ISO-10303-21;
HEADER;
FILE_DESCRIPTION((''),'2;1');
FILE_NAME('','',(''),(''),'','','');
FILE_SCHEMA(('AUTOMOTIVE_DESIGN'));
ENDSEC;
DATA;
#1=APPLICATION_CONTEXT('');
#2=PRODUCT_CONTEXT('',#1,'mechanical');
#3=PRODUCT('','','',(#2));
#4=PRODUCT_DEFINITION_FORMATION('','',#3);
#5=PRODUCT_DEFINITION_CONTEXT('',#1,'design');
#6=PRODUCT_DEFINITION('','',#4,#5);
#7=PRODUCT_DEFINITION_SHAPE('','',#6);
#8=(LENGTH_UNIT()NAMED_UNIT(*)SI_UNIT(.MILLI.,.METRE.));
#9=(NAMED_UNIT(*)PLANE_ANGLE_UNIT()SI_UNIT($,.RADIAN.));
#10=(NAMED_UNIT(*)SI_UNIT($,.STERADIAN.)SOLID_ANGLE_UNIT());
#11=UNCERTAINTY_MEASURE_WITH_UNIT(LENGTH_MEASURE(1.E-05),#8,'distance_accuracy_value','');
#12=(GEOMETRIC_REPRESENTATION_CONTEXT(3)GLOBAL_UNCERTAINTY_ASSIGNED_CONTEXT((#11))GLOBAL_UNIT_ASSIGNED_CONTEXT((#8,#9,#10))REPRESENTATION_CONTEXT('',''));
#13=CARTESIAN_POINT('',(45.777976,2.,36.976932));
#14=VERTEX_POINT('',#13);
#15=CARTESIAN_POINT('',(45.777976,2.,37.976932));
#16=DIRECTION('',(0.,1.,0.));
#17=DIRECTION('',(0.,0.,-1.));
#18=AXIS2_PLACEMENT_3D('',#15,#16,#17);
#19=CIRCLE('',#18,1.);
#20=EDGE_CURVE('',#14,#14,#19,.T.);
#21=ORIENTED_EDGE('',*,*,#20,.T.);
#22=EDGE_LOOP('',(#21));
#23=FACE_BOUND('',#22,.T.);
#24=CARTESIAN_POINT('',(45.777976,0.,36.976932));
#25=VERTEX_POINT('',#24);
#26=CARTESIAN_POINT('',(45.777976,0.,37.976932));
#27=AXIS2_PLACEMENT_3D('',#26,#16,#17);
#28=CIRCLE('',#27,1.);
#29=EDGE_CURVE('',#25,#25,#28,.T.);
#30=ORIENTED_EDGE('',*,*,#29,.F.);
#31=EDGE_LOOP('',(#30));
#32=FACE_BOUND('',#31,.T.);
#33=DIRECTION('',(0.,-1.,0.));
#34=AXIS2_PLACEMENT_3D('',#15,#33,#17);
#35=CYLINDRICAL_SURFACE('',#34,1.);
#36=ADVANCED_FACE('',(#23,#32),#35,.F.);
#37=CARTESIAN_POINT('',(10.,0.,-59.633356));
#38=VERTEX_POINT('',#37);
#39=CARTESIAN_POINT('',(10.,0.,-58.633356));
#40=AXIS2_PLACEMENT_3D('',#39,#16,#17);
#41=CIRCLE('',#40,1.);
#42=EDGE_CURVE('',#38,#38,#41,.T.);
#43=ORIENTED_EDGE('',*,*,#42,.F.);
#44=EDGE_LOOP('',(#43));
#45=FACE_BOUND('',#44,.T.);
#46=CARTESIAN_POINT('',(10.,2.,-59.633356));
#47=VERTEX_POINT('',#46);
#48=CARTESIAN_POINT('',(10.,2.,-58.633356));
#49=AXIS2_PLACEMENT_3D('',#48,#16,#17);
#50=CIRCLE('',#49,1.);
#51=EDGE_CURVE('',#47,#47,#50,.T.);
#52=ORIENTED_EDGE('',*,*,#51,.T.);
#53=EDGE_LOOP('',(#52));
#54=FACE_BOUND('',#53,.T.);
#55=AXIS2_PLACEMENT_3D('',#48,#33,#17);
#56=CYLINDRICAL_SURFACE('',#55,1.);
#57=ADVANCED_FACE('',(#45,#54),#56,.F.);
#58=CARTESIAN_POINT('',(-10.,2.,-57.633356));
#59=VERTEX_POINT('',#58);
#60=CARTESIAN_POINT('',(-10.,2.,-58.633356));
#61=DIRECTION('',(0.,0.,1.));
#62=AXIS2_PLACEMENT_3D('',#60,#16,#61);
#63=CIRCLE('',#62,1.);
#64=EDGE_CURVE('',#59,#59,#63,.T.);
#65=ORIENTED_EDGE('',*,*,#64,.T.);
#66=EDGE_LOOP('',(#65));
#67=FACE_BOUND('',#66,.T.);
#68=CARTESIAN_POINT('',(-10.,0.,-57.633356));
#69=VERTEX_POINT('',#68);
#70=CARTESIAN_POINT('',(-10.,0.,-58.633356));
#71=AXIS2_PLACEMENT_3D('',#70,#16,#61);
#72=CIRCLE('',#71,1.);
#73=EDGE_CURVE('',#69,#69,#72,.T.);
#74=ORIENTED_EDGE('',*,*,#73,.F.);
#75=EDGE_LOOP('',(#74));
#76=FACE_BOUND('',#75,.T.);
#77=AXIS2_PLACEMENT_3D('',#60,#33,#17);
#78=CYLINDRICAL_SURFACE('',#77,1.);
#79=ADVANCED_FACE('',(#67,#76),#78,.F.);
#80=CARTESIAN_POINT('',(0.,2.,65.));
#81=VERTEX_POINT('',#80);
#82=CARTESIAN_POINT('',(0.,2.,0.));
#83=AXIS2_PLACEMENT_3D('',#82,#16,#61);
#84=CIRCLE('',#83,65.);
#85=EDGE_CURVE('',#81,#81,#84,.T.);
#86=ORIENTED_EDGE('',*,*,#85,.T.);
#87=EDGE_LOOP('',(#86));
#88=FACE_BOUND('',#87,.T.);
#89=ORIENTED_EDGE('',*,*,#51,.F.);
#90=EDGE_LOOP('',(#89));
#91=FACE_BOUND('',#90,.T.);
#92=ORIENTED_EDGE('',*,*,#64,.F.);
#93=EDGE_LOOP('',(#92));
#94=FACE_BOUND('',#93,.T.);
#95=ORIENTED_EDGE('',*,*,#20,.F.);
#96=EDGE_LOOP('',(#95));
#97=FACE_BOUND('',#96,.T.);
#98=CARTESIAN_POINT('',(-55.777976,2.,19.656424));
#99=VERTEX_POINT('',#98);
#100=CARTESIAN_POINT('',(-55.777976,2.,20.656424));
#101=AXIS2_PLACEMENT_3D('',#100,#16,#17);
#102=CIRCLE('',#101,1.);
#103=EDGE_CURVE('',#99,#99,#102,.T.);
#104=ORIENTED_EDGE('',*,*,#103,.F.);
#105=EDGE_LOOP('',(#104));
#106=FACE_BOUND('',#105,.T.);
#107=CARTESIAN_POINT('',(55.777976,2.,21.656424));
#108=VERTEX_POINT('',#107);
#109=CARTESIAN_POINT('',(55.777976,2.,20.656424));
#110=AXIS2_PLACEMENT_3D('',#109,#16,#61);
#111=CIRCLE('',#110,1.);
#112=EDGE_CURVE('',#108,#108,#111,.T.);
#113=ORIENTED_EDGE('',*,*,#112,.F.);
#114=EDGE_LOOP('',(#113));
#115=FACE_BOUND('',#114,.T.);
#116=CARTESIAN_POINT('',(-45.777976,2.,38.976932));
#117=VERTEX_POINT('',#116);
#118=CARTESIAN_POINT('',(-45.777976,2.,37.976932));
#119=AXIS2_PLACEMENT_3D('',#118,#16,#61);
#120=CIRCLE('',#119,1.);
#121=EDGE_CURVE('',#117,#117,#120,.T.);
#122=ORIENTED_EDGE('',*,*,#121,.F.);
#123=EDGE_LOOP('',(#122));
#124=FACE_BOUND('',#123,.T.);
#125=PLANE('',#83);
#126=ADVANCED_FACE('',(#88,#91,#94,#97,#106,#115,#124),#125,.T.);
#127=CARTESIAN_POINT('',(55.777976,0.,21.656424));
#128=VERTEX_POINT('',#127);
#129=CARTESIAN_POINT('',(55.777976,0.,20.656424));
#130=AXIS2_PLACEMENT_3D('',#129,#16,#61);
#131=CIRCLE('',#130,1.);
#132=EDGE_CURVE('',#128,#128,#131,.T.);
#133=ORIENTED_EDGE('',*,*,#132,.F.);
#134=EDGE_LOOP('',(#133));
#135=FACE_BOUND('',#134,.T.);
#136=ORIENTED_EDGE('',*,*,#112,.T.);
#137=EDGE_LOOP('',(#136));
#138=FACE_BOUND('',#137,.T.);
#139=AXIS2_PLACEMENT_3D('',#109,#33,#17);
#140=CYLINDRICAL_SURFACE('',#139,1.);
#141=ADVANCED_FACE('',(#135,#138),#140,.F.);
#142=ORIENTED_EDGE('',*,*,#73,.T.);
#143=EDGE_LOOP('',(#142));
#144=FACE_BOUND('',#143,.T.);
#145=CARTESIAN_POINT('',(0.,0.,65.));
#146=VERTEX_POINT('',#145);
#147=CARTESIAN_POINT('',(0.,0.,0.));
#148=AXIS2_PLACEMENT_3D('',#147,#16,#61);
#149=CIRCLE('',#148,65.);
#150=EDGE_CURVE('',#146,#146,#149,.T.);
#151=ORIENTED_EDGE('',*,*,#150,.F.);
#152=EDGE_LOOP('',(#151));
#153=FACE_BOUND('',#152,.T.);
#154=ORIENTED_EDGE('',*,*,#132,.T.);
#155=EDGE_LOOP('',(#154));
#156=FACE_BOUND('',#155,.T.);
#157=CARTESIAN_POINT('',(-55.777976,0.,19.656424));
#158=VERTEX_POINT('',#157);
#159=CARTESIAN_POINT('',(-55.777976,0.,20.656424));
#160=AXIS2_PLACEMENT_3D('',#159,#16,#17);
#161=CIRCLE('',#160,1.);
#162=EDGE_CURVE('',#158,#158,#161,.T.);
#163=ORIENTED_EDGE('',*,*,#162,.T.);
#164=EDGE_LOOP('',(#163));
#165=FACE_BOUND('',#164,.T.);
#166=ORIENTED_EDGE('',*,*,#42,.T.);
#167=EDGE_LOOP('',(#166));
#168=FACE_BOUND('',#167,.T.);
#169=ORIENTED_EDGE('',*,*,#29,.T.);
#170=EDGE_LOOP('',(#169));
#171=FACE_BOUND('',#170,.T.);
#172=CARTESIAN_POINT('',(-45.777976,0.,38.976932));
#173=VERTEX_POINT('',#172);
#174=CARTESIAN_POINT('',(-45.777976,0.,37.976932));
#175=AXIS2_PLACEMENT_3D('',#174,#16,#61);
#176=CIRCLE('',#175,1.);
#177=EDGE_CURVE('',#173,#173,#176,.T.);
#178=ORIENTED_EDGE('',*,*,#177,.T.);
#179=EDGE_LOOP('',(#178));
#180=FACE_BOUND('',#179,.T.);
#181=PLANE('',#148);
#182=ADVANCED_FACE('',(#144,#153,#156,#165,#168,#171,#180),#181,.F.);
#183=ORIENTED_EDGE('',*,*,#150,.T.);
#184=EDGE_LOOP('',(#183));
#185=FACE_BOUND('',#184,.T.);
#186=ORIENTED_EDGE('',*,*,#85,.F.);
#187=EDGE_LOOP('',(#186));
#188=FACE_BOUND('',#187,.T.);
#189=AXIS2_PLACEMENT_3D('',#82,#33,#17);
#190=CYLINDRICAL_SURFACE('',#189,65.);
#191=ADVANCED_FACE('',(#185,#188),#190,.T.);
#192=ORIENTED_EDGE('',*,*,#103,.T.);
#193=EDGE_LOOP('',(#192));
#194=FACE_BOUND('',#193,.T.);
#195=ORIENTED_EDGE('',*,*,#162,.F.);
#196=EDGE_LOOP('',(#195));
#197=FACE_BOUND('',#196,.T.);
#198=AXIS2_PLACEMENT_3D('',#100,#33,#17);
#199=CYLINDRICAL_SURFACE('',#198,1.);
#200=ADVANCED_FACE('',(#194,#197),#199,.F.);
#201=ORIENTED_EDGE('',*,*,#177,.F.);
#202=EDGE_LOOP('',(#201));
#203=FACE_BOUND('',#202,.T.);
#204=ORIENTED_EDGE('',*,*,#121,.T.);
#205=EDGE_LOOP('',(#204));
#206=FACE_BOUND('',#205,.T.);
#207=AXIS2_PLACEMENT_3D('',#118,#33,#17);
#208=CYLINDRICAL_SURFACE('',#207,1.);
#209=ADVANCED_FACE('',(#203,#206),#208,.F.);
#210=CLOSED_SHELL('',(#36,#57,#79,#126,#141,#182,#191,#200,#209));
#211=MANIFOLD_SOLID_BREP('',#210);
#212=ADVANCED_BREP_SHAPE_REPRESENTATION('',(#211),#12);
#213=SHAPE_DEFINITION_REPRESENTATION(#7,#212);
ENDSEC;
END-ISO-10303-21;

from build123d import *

# Parameters (mm, degrees)
SKETCH1_R           = 65
SKETCH1_R_2         = 1
BOSS_EXTRUDE1_DEPTH = 2


with BuildPart() as part:
    # Sketch1 → Boss-Extrude1 (new body)
    with BuildSketch(Plane(origin=(0, 0, 0), x_dir=(1, 0, 0), z_dir=(0, 1, 0))):
        Circle(SKETCH1_R)
        with Locations((-10, 58.633355695)):
            Circle(SKETCH1_R_2, mode=Mode.SUBTRACT)
        with Locations((10, 58.633355695)):
            Circle(SKETCH1_R_2, mode=Mode.SUBTRACT)
        with Locations((55.777975541, -20.656423809)):
            Circle(SKETCH1_R_2, mode=Mode.SUBTRACT)
        with Locations((45.777975541, -37.976931885)):
            Circle(SKETCH1_R_2, mode=Mode.SUBTRACT)
        with Locations((-45.777975541, -37.976931885)):
            Circle(SKETCH1_R_2, mode=Mode.SUBTRACT)
        with Locations((-55.777975541, -20.656423809)):
            Circle(SKETCH1_R_2, mode=Mode.SUBTRACT)
    extrude(amount=BOSS_EXTRUDE1_DEPTH)


solid = part.part
